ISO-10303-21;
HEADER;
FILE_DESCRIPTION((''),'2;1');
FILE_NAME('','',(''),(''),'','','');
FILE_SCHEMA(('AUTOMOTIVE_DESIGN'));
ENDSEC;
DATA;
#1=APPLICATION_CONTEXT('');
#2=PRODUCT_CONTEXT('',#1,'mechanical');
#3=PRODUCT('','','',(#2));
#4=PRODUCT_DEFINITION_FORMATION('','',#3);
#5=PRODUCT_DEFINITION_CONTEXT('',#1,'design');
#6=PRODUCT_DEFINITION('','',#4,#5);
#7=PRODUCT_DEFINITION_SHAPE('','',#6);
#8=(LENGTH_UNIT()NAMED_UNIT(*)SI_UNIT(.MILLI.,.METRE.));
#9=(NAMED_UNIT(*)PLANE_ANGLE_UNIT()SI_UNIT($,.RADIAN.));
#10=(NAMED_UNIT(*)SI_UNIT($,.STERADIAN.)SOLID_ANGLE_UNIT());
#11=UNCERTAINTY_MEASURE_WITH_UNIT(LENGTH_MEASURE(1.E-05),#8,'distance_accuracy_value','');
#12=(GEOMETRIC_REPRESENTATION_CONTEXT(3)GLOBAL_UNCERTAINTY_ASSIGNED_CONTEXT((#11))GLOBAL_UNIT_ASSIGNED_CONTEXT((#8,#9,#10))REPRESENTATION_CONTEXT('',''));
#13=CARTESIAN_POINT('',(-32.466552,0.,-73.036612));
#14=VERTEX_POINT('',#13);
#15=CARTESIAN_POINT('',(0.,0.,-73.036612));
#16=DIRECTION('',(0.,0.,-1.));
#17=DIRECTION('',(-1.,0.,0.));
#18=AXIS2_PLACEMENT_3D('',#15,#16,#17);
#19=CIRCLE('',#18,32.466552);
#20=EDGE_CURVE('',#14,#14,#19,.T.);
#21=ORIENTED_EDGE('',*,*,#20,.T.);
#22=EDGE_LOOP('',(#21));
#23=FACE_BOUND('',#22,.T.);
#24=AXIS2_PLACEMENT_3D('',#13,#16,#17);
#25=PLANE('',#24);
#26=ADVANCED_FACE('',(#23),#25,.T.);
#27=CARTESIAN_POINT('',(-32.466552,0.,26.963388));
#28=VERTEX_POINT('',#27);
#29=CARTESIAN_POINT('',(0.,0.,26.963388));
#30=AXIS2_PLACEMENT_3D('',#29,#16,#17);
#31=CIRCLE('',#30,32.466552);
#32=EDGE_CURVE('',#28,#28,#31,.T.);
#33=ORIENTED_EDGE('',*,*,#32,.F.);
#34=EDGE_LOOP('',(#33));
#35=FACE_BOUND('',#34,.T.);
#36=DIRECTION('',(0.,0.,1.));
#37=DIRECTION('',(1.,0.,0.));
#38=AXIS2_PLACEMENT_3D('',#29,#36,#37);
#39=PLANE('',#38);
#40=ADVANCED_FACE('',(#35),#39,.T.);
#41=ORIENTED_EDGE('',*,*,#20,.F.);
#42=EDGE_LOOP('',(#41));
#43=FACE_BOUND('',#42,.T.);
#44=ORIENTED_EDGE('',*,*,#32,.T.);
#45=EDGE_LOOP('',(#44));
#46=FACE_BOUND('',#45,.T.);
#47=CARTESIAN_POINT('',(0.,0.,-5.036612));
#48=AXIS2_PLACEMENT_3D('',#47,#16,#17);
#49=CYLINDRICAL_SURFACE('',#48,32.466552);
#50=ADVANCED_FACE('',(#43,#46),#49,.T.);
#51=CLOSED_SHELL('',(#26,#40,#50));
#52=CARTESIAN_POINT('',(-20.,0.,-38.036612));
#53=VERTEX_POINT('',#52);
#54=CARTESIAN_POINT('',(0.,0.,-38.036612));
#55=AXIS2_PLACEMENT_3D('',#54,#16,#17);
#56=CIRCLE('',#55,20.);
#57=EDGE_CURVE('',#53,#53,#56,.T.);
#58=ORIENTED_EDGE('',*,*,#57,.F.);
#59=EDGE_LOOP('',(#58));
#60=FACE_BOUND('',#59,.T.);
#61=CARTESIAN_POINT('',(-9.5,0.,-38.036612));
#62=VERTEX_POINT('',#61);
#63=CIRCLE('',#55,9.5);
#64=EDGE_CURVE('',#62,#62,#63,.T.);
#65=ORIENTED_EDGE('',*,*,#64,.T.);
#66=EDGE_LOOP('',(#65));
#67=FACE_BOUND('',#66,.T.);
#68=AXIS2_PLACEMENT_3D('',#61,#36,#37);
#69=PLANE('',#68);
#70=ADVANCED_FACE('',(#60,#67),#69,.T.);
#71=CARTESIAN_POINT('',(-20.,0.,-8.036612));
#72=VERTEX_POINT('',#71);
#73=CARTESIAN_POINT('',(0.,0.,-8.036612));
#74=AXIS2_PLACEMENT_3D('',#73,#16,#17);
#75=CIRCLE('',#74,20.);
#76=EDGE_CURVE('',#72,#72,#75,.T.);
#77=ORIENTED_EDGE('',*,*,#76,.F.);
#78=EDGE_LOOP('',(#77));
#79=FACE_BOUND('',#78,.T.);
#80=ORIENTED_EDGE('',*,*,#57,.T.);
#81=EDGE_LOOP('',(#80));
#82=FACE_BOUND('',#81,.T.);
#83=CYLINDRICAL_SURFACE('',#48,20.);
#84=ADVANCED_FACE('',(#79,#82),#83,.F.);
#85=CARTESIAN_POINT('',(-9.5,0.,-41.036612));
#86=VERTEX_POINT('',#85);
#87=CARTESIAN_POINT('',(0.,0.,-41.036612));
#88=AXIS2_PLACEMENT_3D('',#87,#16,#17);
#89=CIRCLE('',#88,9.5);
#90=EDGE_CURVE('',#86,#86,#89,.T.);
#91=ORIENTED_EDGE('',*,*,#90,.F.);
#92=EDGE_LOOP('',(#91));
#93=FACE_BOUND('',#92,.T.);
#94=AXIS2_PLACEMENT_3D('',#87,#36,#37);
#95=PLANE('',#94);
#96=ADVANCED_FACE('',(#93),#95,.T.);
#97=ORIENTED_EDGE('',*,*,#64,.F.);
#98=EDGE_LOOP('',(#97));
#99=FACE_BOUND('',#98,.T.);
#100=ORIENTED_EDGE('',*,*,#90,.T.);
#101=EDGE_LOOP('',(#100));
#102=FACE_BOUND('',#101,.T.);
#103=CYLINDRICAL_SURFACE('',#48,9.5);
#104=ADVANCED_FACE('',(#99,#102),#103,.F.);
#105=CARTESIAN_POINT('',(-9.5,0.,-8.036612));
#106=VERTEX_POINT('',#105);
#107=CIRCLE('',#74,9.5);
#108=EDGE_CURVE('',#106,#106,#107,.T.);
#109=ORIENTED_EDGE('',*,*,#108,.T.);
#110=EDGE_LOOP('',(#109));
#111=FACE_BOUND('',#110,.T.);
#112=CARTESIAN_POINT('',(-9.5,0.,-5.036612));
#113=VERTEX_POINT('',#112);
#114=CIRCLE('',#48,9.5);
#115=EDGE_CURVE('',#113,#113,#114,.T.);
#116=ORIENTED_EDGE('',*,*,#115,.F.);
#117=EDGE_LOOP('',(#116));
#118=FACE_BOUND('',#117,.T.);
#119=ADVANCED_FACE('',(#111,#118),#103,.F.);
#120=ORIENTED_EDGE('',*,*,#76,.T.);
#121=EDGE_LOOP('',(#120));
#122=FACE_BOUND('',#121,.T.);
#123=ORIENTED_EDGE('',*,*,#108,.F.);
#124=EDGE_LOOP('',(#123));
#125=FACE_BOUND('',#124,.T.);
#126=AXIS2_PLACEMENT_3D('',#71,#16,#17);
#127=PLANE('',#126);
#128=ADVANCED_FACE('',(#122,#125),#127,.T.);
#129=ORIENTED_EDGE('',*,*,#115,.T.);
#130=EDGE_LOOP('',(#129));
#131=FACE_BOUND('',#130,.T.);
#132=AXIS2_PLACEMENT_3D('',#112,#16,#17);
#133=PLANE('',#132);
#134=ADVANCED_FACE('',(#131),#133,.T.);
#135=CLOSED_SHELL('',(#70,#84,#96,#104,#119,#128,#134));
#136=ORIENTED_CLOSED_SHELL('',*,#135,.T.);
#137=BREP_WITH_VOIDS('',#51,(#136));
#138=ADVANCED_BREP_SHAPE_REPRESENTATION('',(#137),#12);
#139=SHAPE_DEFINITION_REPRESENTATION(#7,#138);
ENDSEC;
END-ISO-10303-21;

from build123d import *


with BuildPart() as part:
    # Sketch1 → Revolve1 (revolve)
    with BuildSketch(Plane(origin=(0, 0, 0), x_dir=(1, 0, 0), z_dir=(0, 1, 0))):
        Polygon((0, 73.036612013), (0, 41.036612013), (-9.5, 41.036612013), (-9.5, 38.036612013), (-20, 38.036612013), (-20, 8.036612013), (-9.5, 8.036612013), (-9.5, 5.036612013), (0, 5.036612013), (0, -26.963387987), (-32.466551858, -26.963387987), (-32.466551858, 73.036612013), align=None)
    revolve(axis=Axis((0, 0, -5.036612013), (0, 0, 1)))


solid = part.part
